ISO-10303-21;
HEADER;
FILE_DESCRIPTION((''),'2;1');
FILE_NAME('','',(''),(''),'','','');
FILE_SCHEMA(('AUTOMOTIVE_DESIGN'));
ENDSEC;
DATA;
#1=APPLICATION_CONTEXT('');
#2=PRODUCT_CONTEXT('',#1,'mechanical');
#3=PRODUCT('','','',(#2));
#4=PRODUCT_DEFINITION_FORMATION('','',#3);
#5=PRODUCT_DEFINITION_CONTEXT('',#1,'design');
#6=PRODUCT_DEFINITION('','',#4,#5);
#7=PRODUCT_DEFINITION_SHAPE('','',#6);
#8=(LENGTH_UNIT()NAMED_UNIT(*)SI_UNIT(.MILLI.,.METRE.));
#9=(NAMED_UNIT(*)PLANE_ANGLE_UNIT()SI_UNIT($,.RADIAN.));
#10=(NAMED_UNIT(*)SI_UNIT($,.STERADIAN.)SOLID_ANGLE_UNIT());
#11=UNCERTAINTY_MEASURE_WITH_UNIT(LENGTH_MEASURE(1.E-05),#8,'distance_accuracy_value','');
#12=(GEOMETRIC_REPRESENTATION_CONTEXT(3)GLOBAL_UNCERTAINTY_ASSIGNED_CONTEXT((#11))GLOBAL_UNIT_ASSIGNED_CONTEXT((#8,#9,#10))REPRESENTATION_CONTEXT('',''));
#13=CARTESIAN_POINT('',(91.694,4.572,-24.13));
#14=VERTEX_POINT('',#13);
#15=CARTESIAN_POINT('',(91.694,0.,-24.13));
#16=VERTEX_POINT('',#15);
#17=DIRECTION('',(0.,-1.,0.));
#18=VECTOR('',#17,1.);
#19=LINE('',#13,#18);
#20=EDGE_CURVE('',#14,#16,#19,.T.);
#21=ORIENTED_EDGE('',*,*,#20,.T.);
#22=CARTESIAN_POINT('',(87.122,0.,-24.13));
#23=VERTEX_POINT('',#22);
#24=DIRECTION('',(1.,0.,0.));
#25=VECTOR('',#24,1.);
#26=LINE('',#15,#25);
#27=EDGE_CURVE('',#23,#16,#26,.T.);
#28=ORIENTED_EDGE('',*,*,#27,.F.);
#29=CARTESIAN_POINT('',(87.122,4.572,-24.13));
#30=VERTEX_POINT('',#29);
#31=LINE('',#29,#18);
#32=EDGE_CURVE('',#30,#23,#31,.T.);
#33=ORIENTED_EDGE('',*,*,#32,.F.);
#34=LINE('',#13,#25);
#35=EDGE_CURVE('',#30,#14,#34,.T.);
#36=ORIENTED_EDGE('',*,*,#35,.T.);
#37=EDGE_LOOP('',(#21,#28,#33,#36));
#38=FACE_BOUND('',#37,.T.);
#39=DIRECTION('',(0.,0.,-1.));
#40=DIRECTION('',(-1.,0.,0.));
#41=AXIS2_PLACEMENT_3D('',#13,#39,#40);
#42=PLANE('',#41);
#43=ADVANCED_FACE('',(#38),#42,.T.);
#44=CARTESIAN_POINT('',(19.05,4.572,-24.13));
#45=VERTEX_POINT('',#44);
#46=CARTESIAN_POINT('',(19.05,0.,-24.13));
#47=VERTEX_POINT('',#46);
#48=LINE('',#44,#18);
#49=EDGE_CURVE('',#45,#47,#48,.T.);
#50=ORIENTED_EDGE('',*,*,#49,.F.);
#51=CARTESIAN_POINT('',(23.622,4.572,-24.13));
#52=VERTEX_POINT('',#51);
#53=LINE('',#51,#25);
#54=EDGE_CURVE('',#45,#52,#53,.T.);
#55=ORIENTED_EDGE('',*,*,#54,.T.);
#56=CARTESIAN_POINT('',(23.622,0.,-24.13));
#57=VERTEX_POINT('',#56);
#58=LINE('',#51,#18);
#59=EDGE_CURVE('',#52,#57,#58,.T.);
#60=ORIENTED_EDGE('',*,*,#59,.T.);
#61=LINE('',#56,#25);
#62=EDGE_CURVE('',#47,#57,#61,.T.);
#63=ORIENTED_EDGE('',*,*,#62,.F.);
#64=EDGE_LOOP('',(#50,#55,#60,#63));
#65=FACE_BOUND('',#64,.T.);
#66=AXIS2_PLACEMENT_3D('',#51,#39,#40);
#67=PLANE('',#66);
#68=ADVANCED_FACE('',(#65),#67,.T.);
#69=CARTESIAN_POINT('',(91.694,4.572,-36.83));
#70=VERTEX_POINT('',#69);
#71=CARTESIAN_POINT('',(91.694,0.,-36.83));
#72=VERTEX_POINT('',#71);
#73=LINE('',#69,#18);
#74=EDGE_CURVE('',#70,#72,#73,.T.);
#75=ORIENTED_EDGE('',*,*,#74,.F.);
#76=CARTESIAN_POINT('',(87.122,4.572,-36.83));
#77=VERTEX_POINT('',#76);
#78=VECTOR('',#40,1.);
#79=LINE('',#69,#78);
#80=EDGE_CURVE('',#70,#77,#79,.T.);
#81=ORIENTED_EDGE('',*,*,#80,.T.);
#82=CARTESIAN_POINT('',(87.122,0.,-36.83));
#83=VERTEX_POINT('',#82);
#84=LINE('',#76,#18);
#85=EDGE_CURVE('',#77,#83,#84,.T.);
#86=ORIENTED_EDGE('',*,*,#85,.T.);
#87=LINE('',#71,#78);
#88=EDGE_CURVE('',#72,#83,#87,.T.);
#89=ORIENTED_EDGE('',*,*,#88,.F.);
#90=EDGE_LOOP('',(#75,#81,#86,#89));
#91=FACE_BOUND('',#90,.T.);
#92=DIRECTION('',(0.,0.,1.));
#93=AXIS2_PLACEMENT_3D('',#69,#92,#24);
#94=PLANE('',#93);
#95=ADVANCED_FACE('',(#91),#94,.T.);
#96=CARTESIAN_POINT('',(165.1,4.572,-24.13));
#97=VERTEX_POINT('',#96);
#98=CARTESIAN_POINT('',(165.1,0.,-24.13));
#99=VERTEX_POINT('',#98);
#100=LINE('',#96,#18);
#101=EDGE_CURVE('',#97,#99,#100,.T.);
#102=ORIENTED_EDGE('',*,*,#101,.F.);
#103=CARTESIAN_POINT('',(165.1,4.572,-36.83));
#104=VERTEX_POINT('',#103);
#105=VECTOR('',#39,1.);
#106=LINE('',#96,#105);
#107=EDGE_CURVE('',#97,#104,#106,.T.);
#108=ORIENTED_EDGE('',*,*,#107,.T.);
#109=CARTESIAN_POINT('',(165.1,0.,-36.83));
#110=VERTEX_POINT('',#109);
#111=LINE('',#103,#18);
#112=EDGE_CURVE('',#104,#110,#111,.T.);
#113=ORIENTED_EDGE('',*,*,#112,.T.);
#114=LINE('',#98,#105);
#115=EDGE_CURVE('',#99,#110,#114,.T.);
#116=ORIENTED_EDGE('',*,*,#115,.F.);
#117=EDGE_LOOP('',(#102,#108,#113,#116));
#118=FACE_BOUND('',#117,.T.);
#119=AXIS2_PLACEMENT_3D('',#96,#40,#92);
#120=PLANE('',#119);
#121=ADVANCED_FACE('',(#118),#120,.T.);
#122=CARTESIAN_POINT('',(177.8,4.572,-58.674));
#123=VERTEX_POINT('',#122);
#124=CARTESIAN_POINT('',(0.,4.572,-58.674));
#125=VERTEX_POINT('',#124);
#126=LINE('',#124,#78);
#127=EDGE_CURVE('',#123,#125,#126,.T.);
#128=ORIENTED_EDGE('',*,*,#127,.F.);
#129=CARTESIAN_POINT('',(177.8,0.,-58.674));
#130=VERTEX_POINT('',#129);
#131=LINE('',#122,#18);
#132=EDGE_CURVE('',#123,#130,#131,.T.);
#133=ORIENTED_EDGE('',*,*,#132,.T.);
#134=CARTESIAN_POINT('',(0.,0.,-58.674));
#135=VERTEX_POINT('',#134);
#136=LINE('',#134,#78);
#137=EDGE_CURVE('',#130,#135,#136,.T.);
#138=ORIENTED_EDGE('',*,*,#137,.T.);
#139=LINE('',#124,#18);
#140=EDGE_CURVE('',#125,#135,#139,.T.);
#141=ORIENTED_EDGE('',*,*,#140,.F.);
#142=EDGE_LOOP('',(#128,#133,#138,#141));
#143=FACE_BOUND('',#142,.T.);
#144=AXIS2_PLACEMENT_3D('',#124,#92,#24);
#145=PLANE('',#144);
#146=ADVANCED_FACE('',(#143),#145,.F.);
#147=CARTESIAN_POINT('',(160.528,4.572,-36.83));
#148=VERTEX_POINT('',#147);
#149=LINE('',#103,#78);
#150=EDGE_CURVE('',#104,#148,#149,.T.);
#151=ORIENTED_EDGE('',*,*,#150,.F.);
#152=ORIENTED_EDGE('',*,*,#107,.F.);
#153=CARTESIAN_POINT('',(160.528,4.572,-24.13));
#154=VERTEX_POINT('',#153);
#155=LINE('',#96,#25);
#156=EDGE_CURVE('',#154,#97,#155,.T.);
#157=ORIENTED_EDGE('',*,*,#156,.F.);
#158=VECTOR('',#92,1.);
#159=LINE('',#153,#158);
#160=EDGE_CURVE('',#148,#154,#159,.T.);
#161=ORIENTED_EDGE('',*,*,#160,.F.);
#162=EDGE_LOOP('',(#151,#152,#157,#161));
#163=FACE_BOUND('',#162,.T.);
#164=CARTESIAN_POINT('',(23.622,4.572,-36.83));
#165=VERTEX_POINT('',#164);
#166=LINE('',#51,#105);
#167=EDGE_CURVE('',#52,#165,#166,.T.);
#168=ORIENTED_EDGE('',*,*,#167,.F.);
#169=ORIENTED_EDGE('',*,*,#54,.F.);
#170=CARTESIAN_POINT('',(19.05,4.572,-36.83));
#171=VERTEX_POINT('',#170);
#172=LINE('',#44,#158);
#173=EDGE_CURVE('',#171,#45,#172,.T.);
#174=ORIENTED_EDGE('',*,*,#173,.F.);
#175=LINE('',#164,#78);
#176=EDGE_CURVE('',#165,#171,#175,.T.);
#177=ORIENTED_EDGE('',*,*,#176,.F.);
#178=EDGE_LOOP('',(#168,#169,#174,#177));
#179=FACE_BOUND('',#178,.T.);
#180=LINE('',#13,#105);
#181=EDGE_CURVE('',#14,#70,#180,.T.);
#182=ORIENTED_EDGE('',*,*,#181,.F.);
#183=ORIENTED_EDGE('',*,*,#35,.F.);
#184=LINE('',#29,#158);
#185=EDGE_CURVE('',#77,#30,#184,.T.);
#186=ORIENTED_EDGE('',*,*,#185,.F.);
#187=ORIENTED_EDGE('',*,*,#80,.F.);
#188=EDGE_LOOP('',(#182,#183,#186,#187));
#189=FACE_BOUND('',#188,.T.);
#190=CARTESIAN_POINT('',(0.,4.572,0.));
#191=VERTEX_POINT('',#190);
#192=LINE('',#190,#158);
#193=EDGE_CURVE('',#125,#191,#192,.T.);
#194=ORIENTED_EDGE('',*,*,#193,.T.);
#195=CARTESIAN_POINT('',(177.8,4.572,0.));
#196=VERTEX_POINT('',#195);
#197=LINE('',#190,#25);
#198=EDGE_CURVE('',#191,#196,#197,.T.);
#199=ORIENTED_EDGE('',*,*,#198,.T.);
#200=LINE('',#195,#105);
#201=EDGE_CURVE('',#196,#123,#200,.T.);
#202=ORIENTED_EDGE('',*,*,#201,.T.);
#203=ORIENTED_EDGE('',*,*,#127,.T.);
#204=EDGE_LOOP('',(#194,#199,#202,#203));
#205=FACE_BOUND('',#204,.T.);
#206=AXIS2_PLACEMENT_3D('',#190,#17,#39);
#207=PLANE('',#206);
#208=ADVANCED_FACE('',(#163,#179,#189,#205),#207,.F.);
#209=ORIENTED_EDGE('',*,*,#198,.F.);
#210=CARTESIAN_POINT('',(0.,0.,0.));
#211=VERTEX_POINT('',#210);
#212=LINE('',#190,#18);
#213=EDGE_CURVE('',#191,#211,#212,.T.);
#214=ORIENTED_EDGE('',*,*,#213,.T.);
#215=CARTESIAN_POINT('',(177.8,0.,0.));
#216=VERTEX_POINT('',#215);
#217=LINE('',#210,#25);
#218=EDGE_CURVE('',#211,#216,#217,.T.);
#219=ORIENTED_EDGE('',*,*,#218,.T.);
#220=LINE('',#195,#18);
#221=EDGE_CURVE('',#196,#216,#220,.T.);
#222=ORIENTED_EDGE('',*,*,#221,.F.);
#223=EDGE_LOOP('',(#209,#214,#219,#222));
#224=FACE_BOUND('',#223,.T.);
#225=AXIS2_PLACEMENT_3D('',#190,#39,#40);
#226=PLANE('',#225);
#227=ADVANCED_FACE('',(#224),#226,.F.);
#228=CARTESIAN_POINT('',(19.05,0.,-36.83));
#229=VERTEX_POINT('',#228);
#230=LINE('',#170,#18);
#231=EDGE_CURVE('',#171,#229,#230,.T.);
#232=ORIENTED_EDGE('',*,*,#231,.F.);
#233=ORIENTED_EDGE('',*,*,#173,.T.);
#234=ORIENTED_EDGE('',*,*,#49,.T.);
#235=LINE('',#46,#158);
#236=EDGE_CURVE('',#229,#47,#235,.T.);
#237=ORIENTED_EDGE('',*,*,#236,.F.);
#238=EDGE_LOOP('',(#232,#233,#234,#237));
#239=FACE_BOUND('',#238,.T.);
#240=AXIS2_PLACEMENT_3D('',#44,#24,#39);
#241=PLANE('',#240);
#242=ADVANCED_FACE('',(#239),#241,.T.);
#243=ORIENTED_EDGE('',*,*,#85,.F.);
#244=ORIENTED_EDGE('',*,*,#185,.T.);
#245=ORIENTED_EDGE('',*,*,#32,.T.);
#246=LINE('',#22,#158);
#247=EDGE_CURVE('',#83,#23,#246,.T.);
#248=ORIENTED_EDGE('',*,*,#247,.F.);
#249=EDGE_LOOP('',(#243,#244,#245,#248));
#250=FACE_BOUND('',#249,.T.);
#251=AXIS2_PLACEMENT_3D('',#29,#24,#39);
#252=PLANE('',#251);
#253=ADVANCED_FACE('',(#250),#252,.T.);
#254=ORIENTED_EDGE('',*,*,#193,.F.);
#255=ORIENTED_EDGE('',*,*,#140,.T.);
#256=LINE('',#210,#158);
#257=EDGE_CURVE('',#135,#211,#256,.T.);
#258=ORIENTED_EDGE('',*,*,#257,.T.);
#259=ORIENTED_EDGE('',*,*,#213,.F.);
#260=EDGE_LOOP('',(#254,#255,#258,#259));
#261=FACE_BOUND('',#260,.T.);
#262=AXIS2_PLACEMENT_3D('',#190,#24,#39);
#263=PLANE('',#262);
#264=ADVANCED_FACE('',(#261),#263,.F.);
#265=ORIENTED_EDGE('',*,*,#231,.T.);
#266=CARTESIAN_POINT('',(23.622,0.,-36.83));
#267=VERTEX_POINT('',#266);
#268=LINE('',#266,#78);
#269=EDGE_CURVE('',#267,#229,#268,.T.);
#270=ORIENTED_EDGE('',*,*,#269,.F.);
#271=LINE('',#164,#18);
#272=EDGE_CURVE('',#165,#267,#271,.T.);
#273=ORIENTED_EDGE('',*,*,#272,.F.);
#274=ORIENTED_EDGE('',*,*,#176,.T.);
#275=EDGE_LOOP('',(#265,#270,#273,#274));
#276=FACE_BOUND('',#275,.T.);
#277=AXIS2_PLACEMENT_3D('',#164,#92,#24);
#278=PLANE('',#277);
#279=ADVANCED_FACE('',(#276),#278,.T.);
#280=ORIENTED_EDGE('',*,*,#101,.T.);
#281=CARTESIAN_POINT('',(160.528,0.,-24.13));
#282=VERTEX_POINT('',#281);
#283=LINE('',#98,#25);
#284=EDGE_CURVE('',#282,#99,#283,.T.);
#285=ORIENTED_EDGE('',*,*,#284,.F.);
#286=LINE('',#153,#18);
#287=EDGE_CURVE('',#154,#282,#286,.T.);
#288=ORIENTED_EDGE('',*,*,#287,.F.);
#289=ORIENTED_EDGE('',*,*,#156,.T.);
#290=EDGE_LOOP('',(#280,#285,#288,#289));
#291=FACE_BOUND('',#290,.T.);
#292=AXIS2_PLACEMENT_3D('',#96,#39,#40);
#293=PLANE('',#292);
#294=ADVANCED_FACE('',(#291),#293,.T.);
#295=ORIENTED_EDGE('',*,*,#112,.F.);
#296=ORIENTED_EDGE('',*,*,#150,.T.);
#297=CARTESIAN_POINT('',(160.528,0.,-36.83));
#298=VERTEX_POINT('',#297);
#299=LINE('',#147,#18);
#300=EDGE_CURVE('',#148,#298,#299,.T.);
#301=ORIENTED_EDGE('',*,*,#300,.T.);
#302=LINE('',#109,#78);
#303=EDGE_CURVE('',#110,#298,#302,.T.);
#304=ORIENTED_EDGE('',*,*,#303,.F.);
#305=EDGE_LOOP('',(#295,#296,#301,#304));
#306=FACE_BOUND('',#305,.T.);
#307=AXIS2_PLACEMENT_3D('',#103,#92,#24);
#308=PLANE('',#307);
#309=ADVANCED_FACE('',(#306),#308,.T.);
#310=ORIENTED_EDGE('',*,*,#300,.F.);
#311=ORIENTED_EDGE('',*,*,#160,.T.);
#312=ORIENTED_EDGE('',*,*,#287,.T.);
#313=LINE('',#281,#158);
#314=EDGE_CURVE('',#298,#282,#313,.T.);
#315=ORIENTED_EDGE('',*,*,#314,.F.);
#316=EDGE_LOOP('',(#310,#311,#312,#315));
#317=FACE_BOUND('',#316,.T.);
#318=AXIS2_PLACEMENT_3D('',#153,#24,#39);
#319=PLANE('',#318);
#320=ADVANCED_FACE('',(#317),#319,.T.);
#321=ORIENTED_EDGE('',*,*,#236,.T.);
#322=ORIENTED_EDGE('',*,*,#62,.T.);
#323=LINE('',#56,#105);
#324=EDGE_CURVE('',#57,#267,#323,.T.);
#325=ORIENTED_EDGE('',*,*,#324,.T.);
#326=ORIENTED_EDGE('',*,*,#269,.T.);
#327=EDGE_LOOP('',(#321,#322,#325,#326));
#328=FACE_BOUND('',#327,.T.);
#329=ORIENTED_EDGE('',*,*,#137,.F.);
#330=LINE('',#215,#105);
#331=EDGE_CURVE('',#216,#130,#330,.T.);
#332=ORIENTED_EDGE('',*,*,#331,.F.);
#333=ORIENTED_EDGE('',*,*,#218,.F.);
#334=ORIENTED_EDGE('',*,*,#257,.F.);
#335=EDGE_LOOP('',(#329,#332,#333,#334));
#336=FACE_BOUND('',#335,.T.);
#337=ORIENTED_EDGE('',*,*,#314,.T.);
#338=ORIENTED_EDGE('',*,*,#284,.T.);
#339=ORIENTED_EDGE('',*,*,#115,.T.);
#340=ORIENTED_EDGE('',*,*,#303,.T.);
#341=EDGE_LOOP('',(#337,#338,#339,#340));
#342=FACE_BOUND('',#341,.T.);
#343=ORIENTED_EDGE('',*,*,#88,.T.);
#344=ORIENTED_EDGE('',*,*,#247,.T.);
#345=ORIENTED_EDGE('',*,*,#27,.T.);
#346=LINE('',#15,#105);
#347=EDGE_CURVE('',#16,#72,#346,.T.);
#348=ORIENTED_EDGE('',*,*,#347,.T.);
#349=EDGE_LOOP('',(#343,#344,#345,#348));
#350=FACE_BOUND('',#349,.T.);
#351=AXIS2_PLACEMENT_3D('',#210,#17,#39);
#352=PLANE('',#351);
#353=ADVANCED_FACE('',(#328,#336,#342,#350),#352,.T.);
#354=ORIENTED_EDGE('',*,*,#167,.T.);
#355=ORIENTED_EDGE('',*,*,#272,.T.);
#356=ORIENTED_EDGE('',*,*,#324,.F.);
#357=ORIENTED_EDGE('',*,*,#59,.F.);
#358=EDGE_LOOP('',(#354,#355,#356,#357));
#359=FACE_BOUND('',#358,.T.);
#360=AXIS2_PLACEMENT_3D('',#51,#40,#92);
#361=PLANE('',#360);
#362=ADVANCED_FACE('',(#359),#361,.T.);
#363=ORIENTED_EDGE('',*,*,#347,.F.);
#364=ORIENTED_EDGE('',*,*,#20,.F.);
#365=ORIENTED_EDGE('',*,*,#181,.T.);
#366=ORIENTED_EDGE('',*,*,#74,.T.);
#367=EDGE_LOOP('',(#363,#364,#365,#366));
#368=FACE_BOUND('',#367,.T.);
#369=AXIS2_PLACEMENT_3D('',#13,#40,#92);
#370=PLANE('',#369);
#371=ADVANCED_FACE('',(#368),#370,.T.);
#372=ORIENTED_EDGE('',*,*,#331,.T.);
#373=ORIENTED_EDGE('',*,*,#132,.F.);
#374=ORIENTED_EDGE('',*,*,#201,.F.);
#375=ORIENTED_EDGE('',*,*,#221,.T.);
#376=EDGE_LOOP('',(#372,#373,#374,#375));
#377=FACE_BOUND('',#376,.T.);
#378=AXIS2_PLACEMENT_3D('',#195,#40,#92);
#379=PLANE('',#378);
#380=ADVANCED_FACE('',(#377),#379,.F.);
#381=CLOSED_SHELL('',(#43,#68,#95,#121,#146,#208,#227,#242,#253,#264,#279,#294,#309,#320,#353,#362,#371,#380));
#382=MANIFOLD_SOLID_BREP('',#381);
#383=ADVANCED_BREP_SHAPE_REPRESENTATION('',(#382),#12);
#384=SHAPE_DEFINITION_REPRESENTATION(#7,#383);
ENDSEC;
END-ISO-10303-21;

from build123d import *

# Parameters (mm, degrees)
SKETCH1_W           = 177.8
SKETCH1_H           = 58.674
SKETCH1_W_2         = 4.572
SKETCH1_H_2         = 12.7
BOSS_EXTRUDE1_DEPTH = 4.572


with BuildPart() as part:
    # Sketch1 → Boss-Extrude1 (new body)
    with BuildSketch(Plane(origin=(0, 0, 0), x_dir=(1, 0, 0), z_dir=(0, 1, 0))):
        with Locations((88.9, 29.337)):
            Rectangle(SKETCH1_W, SKETCH1_H)
        with Locations((21.336, 30.48)):
            Rectangle(SKETCH1_W_2, SKETCH1_H_2, mode=Mode.SUBTRACT)
        with Locations((89.408, 30.48)):
            Rectangle(SKETCH1_W_2, SKETCH1_H_2, mode=Mode.SUBTRACT)
        with Locations((162.814, 30.48)):
            Rectangle(SKETCH1_W_2, SKETCH1_H_2, mode=Mode.SUBTRACT)
    extrude(amount=BOSS_EXTRUDE1_DEPTH)


solid = part.part
